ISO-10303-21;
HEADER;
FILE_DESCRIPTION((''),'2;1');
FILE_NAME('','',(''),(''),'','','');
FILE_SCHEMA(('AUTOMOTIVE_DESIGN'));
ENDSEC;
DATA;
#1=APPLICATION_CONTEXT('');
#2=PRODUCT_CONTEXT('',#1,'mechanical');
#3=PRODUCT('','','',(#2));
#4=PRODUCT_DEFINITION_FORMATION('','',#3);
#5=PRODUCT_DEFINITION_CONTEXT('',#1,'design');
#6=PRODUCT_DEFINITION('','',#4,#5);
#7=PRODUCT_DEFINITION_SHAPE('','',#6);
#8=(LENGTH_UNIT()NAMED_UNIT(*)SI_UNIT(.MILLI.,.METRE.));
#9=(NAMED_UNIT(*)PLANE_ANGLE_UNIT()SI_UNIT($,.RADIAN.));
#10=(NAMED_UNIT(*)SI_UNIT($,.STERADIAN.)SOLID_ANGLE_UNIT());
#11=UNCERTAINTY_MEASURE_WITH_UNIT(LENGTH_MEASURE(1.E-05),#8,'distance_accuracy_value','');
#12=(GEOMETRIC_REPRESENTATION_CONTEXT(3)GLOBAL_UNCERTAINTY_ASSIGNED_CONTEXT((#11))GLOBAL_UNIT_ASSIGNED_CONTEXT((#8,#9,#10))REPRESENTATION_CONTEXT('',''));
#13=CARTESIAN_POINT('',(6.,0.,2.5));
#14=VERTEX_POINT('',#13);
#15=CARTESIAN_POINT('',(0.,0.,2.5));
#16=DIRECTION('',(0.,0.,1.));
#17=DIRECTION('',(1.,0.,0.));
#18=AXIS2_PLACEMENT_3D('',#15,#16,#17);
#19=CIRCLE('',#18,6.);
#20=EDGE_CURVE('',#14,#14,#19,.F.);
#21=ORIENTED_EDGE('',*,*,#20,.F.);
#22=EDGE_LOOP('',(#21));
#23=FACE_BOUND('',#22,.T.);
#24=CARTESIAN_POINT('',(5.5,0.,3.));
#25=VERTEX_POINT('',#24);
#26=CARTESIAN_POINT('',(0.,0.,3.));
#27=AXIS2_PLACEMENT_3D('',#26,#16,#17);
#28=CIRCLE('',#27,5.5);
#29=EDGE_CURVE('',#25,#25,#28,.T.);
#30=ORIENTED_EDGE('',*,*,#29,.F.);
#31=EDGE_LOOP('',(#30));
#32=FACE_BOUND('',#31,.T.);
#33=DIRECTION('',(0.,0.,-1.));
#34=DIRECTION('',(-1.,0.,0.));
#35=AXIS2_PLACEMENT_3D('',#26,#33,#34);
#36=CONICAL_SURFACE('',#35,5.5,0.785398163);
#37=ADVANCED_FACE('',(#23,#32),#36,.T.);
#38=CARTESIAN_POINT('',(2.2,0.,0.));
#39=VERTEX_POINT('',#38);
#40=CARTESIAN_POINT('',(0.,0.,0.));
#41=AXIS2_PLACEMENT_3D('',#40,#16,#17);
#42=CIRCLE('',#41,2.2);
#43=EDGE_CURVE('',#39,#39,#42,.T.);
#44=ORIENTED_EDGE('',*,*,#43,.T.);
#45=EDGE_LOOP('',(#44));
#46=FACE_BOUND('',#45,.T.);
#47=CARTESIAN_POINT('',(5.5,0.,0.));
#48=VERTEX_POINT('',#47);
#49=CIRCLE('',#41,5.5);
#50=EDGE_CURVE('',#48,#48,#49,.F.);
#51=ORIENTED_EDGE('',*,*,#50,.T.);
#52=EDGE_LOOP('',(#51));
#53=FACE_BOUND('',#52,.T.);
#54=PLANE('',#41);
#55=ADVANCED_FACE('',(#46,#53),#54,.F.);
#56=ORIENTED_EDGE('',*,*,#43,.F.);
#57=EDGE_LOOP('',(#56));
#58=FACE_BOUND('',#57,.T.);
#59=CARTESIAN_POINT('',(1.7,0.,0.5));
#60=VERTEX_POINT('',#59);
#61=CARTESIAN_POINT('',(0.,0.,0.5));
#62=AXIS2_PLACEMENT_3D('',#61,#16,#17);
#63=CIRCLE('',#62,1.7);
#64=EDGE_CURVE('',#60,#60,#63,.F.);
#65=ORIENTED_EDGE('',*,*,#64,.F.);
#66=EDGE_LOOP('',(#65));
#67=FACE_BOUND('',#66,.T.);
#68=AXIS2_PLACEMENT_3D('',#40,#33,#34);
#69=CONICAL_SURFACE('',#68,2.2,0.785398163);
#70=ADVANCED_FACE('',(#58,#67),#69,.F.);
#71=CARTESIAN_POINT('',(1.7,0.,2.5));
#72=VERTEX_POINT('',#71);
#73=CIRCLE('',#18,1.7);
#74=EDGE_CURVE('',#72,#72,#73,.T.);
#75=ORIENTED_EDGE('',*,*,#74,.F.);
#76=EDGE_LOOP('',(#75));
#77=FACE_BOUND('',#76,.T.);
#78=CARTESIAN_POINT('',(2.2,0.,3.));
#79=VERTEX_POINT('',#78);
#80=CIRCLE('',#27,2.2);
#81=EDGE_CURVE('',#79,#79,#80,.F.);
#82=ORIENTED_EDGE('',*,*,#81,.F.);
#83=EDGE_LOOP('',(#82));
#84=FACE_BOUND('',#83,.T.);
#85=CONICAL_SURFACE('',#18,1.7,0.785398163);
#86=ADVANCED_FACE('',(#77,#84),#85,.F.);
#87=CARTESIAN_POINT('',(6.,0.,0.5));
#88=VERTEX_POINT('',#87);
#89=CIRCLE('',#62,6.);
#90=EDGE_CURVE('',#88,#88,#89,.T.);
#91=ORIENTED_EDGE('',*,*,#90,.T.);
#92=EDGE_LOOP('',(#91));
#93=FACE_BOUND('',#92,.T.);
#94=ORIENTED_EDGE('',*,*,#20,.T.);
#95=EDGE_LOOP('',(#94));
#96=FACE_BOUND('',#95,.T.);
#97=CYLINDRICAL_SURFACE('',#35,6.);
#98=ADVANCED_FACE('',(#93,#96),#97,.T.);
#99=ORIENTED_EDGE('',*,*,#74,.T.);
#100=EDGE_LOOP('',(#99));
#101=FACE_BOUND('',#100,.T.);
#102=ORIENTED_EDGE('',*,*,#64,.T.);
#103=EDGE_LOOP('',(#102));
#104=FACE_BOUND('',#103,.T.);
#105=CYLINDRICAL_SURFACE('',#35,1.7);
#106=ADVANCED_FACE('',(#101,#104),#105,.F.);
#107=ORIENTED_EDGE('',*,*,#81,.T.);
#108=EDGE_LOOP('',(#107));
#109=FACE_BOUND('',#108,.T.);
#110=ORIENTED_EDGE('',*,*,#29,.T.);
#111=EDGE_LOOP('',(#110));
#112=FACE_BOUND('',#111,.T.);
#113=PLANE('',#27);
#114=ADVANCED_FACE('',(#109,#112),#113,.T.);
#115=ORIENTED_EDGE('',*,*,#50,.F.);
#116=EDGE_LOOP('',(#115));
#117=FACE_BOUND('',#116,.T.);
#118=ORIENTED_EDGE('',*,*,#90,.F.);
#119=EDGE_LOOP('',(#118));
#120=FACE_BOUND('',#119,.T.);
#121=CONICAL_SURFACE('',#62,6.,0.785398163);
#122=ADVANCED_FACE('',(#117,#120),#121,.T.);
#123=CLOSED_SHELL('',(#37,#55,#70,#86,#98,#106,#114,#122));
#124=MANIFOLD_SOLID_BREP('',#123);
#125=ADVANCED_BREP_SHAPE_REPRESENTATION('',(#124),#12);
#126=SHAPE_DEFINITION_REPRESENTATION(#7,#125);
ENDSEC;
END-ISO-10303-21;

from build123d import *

# Parameters (mm, degrees)
SKETCH1_R           = 6
SKETCH1_R_2         = 1.7
BOSS_EXTRUDE1_DEPTH = 3
CHAMFER1_SIZE       = 0.5


with BuildPart() as part:
    # Sketch1 → Boss-Extrude1 (new body)
    with BuildSketch(Plane.XY):
        Circle(SKETCH1_R)
        Circle(SKETCH1_R_2, mode=Mode.SUBTRACT)
    extrude(amount=BOSS_EXTRUDE1_DEPTH)

    # Chamfer1
    chamfer1_edges = [part.edges().sort_by_distance(p)[0] for p in [
        (-6, 0, 0),
        (-6, 0, 3),
        (-1.7, 0, 0),
        (-1.7, 0, 3),
    ]]
    chamfer(chamfer1_edges, length=CHAMFER1_SIZE)


solid = part.part
